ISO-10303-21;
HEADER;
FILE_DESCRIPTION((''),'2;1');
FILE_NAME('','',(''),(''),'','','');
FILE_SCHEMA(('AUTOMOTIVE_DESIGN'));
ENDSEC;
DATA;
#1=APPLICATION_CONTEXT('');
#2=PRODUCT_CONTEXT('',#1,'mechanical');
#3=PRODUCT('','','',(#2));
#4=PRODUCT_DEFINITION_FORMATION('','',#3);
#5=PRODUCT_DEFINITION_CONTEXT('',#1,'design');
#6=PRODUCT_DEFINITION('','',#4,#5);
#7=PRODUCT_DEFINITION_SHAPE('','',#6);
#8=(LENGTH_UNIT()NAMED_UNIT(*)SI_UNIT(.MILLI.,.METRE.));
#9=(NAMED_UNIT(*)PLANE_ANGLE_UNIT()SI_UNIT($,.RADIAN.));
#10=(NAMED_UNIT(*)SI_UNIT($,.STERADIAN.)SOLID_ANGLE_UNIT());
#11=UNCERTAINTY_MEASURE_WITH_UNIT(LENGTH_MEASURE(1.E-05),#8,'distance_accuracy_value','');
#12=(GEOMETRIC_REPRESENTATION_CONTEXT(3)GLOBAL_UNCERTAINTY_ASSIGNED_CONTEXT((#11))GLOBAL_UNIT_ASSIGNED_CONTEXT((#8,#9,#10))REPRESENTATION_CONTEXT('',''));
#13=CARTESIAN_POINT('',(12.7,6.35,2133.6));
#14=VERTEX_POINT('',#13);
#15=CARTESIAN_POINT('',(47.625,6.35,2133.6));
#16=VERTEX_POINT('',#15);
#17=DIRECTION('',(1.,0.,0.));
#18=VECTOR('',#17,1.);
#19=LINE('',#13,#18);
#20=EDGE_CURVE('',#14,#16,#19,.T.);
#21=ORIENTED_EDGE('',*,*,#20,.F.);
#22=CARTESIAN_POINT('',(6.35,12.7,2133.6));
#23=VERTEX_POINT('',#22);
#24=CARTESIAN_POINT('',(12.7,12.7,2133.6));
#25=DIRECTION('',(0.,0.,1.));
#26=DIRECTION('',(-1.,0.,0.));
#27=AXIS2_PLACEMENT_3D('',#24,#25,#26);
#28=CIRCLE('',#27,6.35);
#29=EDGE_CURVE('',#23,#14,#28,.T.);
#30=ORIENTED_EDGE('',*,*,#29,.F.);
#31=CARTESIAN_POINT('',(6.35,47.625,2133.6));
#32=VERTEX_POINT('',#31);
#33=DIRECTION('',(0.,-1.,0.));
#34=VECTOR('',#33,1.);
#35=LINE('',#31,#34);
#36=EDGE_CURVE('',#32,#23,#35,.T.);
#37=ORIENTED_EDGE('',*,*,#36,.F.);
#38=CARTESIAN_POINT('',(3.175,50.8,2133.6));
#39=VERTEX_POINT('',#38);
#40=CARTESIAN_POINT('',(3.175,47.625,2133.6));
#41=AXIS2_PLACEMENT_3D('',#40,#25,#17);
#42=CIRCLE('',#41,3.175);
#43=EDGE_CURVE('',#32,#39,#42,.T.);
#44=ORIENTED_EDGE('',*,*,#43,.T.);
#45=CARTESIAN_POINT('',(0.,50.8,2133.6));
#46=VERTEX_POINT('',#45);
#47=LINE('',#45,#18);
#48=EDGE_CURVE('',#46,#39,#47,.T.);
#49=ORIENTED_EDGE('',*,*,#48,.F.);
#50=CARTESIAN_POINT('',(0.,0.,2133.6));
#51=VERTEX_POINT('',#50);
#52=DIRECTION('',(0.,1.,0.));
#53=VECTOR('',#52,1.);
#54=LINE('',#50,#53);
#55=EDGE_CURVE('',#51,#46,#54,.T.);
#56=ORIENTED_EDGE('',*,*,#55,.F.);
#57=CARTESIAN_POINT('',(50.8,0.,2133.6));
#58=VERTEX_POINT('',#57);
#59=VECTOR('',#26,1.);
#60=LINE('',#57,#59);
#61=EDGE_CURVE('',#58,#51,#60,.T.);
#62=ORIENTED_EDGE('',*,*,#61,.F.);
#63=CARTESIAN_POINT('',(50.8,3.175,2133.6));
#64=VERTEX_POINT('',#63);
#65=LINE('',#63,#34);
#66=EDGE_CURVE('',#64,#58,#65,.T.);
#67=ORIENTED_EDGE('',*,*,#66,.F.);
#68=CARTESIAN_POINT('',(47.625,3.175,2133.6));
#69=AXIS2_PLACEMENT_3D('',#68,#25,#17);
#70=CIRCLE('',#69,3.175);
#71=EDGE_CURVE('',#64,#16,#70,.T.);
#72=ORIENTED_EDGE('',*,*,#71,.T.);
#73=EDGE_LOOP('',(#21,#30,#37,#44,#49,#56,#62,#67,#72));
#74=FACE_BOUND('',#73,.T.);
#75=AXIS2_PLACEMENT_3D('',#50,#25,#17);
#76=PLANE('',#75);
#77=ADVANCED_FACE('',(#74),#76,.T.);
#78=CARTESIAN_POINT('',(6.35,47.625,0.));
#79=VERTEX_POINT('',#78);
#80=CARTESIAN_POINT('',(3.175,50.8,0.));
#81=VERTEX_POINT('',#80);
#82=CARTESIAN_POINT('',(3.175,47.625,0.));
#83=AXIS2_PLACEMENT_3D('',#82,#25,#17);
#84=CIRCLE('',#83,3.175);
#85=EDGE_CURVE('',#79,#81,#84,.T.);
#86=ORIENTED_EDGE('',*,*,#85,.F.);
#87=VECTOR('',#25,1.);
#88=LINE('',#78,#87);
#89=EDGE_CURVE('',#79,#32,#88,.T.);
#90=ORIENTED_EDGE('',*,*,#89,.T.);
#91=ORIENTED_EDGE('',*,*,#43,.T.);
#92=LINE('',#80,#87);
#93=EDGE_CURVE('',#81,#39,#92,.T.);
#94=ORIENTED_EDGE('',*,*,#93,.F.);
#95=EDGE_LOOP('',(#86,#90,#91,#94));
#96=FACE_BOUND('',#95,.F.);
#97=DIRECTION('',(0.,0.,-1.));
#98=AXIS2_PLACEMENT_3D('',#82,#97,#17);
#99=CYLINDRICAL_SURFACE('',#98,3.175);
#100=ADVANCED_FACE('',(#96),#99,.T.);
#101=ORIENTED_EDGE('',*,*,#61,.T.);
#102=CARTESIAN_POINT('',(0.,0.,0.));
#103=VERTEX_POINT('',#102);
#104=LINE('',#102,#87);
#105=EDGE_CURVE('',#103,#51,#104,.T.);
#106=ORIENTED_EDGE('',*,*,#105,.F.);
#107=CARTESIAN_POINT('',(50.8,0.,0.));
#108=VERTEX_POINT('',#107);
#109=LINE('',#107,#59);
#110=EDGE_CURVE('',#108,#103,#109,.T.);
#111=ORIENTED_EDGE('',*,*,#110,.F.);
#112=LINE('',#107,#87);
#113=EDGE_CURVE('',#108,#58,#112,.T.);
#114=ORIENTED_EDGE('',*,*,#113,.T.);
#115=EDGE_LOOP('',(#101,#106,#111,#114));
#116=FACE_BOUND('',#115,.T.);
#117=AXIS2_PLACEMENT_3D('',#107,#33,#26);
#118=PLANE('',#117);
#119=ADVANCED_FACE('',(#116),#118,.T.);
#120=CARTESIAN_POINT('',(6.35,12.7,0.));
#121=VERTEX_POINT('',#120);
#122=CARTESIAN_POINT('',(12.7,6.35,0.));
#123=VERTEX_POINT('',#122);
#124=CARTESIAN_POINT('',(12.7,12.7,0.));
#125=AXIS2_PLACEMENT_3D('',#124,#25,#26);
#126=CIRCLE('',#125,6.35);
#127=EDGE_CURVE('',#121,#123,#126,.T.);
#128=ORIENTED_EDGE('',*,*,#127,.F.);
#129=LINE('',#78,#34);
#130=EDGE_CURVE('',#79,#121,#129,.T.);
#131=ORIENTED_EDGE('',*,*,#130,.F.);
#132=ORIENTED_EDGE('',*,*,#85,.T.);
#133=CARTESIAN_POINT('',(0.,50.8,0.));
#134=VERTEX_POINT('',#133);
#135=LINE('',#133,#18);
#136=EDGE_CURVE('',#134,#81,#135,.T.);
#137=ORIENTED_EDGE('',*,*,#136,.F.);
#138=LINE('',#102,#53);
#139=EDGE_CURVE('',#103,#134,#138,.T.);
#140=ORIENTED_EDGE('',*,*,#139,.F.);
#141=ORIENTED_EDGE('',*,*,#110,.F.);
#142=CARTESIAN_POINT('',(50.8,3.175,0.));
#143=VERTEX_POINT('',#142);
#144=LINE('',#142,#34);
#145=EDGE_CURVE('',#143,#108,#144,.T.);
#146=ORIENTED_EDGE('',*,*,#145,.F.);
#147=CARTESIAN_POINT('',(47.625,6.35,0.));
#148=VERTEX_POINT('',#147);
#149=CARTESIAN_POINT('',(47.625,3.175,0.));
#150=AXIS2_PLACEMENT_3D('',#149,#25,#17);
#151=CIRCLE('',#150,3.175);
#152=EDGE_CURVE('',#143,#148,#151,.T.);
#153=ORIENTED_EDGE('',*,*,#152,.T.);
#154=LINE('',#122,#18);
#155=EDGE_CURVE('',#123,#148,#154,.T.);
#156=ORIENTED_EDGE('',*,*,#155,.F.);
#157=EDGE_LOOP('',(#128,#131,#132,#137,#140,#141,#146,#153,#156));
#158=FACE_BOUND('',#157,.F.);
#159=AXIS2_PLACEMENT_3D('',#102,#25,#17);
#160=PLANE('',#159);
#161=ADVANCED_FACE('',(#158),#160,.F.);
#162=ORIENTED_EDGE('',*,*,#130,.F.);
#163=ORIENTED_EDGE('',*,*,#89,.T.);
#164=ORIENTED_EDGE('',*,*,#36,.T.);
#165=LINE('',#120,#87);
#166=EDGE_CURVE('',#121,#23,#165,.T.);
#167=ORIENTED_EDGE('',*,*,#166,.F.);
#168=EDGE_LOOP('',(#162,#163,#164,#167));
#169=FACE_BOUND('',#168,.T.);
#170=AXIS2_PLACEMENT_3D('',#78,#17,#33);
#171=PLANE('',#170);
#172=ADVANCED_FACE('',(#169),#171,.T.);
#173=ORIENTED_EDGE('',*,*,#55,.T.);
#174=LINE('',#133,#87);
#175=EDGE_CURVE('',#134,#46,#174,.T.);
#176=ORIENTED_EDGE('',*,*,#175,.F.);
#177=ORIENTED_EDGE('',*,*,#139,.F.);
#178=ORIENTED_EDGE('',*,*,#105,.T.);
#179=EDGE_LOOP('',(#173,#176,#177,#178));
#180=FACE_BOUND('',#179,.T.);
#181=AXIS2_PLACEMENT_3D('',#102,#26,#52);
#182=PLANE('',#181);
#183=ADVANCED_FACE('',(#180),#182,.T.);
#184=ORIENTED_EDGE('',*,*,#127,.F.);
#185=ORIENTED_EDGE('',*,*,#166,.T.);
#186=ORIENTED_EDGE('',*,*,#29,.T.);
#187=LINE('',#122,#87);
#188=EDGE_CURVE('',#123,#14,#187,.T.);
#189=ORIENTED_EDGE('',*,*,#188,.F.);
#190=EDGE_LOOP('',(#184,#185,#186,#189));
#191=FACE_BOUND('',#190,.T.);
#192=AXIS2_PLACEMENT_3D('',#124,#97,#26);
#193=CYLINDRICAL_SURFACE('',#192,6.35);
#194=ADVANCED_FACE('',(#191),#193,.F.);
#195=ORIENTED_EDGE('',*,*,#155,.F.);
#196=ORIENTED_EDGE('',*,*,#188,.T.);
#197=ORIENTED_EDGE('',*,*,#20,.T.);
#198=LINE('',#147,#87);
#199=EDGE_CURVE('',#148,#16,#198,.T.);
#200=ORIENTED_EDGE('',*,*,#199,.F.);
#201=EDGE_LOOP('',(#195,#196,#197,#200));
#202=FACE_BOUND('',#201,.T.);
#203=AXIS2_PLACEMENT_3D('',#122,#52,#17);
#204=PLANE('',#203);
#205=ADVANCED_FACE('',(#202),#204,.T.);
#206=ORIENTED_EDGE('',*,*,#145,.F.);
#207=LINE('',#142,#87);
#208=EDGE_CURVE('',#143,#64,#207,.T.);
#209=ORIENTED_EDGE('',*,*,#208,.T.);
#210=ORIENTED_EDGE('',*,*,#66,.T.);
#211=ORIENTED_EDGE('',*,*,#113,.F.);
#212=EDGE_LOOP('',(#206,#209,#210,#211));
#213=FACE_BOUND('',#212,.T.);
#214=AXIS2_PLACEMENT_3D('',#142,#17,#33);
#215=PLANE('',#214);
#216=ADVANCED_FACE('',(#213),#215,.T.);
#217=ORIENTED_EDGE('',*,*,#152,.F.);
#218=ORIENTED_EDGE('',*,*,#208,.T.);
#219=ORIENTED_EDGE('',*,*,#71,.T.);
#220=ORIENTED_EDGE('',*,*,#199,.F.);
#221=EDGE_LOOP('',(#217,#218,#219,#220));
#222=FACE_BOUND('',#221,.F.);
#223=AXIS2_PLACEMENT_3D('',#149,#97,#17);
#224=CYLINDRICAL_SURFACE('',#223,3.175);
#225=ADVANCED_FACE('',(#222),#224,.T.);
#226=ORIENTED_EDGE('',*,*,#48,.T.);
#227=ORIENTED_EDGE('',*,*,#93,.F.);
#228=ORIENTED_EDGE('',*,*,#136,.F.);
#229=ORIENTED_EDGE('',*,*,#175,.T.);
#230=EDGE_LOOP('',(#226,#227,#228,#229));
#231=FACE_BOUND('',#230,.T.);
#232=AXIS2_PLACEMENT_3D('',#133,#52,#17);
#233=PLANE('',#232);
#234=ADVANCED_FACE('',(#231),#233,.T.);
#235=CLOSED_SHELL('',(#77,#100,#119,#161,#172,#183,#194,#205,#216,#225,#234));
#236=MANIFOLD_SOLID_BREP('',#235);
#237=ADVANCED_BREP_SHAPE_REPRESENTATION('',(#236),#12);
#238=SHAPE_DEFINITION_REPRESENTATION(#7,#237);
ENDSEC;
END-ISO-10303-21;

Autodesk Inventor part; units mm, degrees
ref_plane "YZ Plane" through (0, 0, 0) normal (1, 0, 0) x (0, 1, 0)
ref_plane "XZ Plane" through (0, 0, 0) normal (0, 1, 0) x (-1, 0, 0)
ref_plane "XY Plane" through (0, 0, 0) normal (0, 0, 1) x (1, 0, 0)
sketch "Sketch1" plane through (0, 0, 0) normal (0, 0, 1) x (1, 0, 0)
  line L0 (0, 0) -> (0, 50.8)
  line L1 (0, 50.8) -> (3.175, 50.8)
  line L2 (50.8, 0) -> (0, 0)
  line L3 (6.35, 47.625) -> (6.35, 12.7)
  line L4 (12.7, 6.35) -> (47.625, 6.35)
  line L5 (50.8, 3.175) -> (50.8, 0)
  arc A0 (6.35, 12.7) -> (12.7, 6.35) centre (12.7, 12.7) ccw
  arc A1 (50.8, 3.175) -> (47.625, 6.35) centre (47.625, 3.175) ccw
  arc A2 (6.35, 47.625) -> (3.175, 50.8) centre (3.175, 47.625) ccw
  point P0 (6.35, 50.8)
  dimension "d0" = 50.8
  dimension "d7" = 6.35
  dimension "d14" = 6.35
  dimension "d15" = 3.175
extrude "Extrusion1" add sketch "Sketch1" along normal blind 2133.6
properties part number "GE-12019-01" material "Aluminum-6061"
